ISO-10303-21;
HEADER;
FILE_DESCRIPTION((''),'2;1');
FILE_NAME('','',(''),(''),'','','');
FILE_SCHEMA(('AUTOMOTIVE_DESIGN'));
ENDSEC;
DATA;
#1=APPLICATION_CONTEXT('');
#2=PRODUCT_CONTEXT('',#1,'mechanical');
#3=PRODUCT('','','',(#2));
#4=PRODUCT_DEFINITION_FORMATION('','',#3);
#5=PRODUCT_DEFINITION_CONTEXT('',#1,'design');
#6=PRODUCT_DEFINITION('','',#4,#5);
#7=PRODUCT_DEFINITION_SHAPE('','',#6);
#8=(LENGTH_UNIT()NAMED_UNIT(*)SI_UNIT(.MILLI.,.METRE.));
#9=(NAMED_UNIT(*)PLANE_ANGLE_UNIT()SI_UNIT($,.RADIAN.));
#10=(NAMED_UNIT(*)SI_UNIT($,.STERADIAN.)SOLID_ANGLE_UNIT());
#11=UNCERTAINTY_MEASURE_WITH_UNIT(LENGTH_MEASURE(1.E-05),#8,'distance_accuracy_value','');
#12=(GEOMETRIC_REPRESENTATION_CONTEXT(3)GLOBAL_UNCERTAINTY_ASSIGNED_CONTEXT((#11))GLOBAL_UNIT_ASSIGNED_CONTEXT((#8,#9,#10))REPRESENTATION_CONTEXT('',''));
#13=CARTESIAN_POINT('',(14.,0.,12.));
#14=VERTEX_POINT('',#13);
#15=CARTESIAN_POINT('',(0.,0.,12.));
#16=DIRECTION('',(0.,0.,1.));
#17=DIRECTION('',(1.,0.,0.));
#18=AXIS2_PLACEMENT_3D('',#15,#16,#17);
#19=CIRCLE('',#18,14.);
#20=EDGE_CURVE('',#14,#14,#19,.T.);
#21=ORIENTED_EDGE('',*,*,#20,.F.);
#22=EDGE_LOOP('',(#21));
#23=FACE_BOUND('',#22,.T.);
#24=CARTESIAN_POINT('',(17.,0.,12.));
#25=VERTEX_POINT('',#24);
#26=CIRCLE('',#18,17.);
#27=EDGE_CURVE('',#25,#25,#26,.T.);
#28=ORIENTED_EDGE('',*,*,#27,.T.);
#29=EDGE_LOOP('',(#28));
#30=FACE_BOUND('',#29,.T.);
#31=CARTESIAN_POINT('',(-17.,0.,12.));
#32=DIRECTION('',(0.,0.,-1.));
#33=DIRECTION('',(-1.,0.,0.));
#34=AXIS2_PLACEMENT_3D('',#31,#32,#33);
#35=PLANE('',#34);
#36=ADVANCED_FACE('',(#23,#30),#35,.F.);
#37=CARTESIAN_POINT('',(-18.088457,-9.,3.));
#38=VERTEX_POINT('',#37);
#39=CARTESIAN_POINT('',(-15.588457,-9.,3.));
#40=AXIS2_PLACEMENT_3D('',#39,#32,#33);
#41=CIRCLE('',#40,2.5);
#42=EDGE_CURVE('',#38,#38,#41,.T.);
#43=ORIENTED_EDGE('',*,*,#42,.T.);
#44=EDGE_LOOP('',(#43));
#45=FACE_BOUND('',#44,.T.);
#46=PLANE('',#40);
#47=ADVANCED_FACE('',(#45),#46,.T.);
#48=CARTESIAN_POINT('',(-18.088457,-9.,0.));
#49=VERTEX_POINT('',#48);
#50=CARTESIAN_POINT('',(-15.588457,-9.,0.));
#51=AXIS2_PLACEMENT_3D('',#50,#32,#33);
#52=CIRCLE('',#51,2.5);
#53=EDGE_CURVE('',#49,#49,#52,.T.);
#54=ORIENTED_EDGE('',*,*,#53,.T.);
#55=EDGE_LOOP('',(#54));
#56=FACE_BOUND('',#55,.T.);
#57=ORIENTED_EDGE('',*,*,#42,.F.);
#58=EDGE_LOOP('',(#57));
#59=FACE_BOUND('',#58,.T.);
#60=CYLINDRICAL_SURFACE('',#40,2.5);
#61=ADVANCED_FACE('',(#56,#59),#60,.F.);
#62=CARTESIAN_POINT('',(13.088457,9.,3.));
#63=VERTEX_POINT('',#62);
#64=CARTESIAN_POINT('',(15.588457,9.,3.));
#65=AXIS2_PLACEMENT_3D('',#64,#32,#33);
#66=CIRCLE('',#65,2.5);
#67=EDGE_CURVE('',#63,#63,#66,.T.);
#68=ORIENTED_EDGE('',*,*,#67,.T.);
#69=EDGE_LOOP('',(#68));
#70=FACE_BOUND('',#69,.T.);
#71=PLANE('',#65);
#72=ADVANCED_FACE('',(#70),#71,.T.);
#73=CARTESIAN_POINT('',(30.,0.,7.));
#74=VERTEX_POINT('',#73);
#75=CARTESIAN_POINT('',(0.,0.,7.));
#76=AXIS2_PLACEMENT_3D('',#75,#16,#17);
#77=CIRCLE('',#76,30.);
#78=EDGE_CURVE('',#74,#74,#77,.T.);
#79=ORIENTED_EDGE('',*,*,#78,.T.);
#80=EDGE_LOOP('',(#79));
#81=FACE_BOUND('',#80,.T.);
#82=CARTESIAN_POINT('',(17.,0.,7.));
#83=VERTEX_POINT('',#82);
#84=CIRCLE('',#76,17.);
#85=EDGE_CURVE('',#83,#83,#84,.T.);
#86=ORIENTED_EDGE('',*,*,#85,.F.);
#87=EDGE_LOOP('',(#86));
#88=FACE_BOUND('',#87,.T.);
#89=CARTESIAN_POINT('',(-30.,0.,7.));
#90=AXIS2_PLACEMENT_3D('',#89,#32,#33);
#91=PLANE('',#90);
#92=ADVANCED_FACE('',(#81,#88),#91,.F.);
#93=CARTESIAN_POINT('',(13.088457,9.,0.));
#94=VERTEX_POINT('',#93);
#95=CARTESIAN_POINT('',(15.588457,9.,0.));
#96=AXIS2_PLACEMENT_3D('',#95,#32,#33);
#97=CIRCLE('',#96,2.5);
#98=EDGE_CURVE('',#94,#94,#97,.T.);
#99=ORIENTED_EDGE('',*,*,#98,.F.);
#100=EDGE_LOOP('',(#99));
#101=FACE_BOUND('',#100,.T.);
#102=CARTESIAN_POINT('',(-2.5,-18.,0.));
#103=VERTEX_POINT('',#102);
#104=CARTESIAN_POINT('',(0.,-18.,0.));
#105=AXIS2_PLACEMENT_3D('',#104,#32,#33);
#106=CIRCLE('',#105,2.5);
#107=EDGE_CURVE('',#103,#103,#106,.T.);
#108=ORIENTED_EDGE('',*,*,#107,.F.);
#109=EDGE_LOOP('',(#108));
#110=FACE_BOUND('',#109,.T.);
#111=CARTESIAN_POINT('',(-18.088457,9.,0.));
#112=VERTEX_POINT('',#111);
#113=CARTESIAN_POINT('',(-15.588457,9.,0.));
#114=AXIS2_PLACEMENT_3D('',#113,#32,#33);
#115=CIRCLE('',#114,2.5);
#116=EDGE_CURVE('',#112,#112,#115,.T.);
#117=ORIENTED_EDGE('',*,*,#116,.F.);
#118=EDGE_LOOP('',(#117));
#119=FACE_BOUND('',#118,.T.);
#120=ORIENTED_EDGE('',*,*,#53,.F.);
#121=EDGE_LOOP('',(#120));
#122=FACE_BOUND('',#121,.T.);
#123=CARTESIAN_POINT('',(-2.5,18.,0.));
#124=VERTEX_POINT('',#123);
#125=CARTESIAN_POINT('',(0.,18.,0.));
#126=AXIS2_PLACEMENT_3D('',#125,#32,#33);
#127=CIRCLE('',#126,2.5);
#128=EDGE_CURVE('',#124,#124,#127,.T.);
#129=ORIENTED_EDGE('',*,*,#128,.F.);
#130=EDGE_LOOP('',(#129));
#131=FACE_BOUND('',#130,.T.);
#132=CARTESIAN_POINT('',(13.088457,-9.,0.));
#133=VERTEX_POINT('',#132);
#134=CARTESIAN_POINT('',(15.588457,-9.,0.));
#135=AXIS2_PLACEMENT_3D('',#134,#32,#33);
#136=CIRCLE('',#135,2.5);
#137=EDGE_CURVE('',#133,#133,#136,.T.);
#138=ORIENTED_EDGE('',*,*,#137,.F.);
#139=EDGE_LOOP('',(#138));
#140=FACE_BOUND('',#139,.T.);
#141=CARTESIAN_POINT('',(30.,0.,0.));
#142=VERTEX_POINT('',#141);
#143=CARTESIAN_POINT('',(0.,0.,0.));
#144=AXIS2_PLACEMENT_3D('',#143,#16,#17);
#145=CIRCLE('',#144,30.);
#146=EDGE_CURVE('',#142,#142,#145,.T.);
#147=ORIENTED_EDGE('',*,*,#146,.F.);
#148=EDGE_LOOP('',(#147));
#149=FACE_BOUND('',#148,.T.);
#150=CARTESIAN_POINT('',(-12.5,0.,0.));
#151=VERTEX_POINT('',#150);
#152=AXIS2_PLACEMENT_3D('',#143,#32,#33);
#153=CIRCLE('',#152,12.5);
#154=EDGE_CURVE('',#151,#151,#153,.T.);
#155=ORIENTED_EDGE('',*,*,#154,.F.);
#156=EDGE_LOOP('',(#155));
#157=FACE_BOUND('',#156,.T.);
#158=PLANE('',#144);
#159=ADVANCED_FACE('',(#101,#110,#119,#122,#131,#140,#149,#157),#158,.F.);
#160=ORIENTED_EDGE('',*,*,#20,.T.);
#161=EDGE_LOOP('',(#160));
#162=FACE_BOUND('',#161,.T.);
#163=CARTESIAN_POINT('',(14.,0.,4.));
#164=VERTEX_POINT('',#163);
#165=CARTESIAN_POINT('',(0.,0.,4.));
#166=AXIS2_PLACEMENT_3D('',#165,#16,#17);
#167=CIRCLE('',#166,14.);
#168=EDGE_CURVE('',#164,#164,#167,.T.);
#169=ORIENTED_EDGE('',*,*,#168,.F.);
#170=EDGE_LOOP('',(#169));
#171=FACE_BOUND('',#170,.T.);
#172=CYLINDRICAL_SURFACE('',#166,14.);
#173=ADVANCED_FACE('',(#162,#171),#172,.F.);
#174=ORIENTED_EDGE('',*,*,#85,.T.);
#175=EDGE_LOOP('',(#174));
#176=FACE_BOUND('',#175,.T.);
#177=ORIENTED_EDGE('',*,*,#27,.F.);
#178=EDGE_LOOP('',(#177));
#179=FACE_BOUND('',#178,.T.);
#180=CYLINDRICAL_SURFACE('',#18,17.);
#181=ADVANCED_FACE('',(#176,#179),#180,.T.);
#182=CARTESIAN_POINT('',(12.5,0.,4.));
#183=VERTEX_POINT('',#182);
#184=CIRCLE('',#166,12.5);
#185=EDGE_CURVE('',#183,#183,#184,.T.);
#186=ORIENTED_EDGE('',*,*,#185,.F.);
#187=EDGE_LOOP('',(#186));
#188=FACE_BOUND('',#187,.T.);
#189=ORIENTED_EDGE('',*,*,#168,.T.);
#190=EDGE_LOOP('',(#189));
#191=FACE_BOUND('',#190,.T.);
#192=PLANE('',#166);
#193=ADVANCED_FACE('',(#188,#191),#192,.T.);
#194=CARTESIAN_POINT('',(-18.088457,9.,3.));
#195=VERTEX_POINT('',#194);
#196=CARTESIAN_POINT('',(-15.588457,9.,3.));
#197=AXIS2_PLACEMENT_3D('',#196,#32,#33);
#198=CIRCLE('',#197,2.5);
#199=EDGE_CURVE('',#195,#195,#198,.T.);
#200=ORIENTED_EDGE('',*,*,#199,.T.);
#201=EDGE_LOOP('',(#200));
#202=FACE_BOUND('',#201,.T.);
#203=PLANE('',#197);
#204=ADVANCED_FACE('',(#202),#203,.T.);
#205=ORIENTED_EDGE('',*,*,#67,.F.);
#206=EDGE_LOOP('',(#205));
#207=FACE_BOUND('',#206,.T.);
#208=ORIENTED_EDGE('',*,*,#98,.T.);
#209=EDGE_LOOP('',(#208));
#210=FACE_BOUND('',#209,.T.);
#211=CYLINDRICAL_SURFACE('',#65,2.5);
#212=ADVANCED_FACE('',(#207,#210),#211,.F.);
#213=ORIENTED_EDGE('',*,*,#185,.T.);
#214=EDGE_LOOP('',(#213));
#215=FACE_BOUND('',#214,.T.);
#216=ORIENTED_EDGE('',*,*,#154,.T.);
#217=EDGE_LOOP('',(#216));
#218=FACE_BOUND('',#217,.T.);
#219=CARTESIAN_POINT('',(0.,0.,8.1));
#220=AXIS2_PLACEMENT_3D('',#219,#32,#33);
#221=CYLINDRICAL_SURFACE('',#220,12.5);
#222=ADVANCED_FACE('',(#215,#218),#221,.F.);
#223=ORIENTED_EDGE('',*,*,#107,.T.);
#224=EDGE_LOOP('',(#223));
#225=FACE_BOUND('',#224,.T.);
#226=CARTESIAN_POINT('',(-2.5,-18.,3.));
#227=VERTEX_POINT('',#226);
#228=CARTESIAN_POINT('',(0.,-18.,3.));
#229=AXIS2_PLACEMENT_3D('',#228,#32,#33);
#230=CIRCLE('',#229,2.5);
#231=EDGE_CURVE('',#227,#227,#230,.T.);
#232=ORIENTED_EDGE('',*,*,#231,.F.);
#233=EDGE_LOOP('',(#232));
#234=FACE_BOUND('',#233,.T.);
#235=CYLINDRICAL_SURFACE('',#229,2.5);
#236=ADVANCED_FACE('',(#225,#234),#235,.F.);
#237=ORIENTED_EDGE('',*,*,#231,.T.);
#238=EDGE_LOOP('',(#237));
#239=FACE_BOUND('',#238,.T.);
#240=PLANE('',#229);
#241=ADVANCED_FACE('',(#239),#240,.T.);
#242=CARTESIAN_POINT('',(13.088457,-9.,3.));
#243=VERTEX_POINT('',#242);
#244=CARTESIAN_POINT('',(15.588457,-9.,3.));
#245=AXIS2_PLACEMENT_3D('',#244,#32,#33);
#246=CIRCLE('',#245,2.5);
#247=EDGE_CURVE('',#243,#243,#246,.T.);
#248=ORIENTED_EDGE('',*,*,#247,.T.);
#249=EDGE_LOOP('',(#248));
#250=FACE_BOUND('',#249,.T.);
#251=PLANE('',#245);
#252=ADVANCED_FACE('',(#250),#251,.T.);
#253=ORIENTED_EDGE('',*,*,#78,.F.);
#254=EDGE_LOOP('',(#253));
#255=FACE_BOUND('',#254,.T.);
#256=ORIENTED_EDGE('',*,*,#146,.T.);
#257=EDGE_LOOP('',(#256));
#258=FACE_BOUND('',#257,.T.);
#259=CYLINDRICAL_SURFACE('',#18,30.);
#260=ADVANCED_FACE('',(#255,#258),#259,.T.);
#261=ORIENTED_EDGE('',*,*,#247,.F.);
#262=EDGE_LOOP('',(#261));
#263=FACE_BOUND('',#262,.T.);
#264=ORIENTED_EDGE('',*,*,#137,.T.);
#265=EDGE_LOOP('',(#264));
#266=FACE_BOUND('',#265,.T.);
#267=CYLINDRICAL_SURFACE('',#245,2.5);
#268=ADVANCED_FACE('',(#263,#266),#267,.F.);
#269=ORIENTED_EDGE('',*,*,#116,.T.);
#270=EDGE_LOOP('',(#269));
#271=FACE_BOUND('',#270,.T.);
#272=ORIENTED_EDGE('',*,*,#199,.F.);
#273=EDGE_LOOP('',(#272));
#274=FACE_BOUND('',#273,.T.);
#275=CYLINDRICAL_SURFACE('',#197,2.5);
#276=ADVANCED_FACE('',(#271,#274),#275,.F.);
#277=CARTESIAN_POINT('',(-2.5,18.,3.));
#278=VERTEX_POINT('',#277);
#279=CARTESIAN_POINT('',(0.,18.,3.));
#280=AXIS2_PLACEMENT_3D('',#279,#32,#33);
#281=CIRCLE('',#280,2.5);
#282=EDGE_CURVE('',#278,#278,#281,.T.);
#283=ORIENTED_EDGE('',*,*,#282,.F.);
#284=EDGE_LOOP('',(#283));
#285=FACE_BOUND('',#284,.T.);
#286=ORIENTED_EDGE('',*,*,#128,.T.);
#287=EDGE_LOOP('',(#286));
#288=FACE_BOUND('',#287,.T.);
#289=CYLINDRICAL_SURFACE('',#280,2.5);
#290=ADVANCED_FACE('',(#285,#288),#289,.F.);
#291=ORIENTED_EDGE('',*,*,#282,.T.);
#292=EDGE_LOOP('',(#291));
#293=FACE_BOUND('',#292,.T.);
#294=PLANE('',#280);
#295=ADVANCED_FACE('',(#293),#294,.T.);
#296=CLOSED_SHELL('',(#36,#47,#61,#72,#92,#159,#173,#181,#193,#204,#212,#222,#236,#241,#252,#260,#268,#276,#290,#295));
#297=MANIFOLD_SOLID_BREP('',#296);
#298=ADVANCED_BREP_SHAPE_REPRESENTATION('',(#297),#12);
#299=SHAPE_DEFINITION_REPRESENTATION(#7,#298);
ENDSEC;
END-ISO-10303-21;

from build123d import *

# Parameters (mm, degrees)
SKETCH4_R          = 14
CUT_EXTRUDE1_DEPTH = 8
SKETCH5_R          = 12.5
CUT_EXTRUDE4_DEPTH = 8.1
SKETCH7_R          = 2.5
CUT_EXTRUDE5_DEPTH = 3


with BuildPart() as part:
    # Sketch2 → Revolve4 (revolve)
    with BuildSketch(Plane(origin=(0, 0, 0), x_dir=(1, 0, 0), z_dir=(0, 1, 0)), mode=Mode.PRIVATE) as revolve4_sk:
        Polygon((0, 0), (-30, 0), (-30, -7), (-17, -7), (-17, -12), (0, -12), align=None)
    revolve(revolve4_sk.sketch.rotate(Axis((0, 0, 12), (0, 0, -1)), 180), axis=Axis((0, 0, 12), (0, 0, -1)))

    # Sketch4 → Cut-Extrude1 (cut)
    with BuildSketch(Plane.XY.offset(12)):
        Circle(SKETCH4_R)
    extrude(amount=-CUT_EXTRUDE1_DEPTH, mode=Mode.SUBTRACT)

    # Sketch5 → Cut-Extrude4 (cut)
    with BuildSketch(Plane(origin=(0, 0, 0), x_dir=(-1, 0, 0), z_dir=(0, 0, -1))):
        Circle(SKETCH5_R)
    extrude(amount=-CUT_EXTRUDE4_DEPTH, mode=Mode.SUBTRACT)

    # Sketch7 → Cut-Extrude5 (cut)
    with BuildSketch(Plane(origin=(0, 0, 0), x_dir=(-1, 0, 0), z_dir=(0, 0, -1))):
        with Locations((0, 18)):
            Circle(SKETCH7_R)
        with Locations((15.588457268, 9)):
            Circle(SKETCH7_R)
        with Locations((15.588457268, -9)):
            Circle(SKETCH7_R)
        with Locations((0, -18)):
            Circle(SKETCH7_R)
        with Locations((-15.588457268, -9)):
            Circle(SKETCH7_R)
        with Locations((-15.588457268, 9)):
            Circle(SKETCH7_R)
    extrude(amount=-CUT_EXTRUDE5_DEPTH, mode=Mode.SUBTRACT)


solid = part.part
